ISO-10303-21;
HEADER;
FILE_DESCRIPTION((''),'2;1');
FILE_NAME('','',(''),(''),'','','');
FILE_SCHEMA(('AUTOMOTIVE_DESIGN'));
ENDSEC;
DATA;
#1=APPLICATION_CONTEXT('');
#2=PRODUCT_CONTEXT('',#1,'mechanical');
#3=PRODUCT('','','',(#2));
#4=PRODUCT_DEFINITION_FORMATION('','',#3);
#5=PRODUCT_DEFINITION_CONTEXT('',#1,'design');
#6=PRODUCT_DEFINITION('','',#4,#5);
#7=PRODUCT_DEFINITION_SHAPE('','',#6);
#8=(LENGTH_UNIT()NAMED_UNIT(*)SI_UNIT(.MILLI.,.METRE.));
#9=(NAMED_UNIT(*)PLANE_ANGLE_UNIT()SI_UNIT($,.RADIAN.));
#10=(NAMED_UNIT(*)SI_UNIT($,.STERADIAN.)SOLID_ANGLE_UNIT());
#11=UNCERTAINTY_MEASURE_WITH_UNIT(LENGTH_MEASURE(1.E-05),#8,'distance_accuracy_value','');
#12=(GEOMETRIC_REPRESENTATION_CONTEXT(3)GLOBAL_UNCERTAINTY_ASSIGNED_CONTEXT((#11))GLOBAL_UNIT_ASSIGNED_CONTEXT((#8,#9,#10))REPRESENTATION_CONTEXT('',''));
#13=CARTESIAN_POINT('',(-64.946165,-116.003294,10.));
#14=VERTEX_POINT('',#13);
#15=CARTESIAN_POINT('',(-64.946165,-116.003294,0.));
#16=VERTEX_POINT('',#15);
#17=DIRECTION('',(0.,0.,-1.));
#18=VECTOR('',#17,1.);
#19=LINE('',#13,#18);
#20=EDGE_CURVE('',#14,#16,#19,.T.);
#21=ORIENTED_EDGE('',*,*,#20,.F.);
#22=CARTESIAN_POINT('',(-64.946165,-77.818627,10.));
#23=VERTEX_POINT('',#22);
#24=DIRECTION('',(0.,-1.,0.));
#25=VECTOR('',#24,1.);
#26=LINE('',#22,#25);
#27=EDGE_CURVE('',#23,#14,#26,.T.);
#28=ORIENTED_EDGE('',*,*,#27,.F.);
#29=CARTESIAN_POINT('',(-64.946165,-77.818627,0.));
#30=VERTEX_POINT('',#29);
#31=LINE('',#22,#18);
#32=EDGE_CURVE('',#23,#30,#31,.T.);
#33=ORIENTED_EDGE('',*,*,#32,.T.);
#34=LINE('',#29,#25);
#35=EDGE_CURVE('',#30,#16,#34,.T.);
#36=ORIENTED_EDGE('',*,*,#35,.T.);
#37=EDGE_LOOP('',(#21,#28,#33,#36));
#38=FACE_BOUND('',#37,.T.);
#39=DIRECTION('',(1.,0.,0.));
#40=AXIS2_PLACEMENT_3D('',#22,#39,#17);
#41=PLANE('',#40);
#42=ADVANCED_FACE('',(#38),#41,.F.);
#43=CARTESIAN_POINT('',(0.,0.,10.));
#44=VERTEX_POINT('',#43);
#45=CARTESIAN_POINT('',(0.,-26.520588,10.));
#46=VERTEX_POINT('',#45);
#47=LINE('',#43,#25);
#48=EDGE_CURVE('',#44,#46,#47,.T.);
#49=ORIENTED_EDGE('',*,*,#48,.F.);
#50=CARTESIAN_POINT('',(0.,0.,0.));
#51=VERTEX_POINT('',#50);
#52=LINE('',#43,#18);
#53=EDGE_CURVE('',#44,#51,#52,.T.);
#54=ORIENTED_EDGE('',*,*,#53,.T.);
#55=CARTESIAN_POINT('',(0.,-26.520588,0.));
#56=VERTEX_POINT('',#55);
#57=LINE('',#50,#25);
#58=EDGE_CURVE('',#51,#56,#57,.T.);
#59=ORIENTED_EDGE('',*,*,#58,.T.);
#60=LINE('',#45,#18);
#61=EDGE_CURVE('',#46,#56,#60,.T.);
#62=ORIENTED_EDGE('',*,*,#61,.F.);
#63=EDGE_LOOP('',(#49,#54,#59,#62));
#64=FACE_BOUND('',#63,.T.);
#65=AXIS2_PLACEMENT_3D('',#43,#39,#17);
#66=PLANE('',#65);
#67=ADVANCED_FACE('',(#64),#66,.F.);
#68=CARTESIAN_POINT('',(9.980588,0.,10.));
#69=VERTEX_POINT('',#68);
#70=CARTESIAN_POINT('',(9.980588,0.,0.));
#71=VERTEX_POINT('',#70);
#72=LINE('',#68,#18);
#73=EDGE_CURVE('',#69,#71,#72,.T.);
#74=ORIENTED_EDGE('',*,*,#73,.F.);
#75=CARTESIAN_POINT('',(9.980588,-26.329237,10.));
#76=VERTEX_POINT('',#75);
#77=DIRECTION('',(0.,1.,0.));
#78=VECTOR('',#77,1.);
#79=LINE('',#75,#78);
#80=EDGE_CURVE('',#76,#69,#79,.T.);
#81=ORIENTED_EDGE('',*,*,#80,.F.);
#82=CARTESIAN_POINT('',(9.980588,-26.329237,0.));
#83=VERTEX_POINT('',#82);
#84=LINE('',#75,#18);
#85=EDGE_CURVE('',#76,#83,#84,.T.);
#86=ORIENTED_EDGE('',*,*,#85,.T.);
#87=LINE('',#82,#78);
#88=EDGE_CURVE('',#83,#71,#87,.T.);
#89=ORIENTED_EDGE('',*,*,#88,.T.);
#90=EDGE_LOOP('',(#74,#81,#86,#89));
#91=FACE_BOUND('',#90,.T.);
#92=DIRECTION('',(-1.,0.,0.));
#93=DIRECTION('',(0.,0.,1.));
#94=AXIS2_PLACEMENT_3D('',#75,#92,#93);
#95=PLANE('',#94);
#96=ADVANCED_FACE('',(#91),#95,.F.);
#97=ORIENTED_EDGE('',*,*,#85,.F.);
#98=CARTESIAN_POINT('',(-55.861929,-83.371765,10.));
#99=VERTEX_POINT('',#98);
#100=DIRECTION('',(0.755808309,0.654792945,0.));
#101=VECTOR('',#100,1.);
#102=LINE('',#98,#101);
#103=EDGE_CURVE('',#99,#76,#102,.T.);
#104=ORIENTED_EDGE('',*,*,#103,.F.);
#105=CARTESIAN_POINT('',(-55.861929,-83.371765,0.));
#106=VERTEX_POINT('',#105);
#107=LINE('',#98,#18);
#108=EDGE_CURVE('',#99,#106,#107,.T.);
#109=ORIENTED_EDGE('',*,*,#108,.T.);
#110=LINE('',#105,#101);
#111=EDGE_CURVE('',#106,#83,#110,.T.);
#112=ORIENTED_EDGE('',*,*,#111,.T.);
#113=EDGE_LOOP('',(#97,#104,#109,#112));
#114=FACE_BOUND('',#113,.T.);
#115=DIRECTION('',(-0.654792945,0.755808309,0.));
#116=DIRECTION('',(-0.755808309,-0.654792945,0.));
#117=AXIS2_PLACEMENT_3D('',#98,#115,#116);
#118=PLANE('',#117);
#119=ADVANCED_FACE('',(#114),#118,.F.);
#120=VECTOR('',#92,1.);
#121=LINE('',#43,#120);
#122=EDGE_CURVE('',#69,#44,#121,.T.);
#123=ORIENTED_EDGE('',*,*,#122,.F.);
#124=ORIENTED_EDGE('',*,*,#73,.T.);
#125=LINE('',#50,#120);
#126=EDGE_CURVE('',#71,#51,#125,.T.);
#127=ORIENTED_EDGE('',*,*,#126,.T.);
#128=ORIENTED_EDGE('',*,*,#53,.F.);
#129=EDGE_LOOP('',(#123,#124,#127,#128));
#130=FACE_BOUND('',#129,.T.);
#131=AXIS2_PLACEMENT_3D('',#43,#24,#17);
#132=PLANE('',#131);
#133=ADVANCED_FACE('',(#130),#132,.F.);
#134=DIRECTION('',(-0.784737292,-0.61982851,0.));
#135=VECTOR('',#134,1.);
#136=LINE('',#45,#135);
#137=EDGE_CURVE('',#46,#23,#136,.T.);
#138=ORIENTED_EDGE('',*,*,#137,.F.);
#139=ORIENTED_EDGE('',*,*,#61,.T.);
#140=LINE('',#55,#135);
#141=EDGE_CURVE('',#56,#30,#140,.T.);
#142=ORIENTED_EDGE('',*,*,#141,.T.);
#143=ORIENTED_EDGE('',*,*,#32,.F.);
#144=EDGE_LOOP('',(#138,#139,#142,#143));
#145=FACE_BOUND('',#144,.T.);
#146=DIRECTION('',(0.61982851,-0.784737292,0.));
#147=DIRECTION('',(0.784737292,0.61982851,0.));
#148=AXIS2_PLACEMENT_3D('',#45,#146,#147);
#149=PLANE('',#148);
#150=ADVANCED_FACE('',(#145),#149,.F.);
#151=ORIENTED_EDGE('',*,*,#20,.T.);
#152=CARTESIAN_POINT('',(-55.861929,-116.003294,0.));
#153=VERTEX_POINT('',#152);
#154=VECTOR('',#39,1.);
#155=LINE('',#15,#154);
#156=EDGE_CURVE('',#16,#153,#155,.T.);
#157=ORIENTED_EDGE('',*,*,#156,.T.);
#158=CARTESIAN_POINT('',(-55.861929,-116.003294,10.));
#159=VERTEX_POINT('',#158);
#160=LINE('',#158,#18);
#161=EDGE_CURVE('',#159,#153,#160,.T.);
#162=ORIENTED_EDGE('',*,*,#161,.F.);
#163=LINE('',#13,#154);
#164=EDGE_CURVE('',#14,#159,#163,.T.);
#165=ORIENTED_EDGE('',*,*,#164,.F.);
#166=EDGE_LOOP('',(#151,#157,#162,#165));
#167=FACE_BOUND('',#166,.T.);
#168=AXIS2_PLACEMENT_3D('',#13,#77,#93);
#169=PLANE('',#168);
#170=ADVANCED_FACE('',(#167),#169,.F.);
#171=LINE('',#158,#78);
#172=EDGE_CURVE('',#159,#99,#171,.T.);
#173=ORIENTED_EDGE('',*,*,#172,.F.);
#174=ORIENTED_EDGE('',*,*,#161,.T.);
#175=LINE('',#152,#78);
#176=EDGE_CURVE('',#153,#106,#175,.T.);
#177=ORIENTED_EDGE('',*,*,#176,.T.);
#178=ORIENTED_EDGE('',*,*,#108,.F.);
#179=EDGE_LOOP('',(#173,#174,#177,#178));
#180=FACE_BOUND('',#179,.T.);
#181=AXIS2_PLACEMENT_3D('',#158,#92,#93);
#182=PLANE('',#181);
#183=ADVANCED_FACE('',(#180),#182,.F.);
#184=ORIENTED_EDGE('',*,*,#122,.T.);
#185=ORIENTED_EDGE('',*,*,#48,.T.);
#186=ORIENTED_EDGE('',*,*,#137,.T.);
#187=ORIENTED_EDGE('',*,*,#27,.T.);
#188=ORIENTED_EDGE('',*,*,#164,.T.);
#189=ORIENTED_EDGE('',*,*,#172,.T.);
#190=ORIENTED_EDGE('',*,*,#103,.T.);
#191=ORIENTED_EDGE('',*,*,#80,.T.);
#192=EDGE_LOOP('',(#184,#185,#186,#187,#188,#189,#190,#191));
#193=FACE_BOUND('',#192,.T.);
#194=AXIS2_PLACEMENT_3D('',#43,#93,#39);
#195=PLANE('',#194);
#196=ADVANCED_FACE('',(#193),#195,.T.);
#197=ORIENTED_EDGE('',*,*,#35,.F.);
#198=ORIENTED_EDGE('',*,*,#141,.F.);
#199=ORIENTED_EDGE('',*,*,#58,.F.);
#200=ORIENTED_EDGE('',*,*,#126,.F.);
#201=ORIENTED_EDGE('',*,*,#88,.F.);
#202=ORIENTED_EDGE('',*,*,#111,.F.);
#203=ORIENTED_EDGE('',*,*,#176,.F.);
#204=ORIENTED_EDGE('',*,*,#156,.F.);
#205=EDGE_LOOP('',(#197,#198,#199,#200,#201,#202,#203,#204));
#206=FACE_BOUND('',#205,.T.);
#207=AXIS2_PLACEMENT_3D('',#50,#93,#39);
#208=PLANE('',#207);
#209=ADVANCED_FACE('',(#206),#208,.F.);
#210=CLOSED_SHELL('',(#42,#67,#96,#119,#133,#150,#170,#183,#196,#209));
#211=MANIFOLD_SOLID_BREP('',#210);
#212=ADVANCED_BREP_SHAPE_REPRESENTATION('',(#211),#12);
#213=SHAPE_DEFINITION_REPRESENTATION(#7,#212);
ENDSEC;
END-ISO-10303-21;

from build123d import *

# Parameters (mm, degrees)
BOSS_EXTRUDE1_DEPTH = 10


with BuildPart() as part:
    # Sketch1 → Boss-Extrude1 (new body)
    with BuildSketch(Plane.XY):
        Polygon((0, 0), (0, -26.520588235), (-64.946164547, -77.818627451), (-64.946164547, -116.003294118), (-55.861929253, -116.003294118), (-55.861929253, -83.371764706), (9.980588437, -26.329237427), (9.980588437, 0), align=None)
    extrude(amount=BOSS_EXTRUDE1_DEPTH)


solid = part.part
